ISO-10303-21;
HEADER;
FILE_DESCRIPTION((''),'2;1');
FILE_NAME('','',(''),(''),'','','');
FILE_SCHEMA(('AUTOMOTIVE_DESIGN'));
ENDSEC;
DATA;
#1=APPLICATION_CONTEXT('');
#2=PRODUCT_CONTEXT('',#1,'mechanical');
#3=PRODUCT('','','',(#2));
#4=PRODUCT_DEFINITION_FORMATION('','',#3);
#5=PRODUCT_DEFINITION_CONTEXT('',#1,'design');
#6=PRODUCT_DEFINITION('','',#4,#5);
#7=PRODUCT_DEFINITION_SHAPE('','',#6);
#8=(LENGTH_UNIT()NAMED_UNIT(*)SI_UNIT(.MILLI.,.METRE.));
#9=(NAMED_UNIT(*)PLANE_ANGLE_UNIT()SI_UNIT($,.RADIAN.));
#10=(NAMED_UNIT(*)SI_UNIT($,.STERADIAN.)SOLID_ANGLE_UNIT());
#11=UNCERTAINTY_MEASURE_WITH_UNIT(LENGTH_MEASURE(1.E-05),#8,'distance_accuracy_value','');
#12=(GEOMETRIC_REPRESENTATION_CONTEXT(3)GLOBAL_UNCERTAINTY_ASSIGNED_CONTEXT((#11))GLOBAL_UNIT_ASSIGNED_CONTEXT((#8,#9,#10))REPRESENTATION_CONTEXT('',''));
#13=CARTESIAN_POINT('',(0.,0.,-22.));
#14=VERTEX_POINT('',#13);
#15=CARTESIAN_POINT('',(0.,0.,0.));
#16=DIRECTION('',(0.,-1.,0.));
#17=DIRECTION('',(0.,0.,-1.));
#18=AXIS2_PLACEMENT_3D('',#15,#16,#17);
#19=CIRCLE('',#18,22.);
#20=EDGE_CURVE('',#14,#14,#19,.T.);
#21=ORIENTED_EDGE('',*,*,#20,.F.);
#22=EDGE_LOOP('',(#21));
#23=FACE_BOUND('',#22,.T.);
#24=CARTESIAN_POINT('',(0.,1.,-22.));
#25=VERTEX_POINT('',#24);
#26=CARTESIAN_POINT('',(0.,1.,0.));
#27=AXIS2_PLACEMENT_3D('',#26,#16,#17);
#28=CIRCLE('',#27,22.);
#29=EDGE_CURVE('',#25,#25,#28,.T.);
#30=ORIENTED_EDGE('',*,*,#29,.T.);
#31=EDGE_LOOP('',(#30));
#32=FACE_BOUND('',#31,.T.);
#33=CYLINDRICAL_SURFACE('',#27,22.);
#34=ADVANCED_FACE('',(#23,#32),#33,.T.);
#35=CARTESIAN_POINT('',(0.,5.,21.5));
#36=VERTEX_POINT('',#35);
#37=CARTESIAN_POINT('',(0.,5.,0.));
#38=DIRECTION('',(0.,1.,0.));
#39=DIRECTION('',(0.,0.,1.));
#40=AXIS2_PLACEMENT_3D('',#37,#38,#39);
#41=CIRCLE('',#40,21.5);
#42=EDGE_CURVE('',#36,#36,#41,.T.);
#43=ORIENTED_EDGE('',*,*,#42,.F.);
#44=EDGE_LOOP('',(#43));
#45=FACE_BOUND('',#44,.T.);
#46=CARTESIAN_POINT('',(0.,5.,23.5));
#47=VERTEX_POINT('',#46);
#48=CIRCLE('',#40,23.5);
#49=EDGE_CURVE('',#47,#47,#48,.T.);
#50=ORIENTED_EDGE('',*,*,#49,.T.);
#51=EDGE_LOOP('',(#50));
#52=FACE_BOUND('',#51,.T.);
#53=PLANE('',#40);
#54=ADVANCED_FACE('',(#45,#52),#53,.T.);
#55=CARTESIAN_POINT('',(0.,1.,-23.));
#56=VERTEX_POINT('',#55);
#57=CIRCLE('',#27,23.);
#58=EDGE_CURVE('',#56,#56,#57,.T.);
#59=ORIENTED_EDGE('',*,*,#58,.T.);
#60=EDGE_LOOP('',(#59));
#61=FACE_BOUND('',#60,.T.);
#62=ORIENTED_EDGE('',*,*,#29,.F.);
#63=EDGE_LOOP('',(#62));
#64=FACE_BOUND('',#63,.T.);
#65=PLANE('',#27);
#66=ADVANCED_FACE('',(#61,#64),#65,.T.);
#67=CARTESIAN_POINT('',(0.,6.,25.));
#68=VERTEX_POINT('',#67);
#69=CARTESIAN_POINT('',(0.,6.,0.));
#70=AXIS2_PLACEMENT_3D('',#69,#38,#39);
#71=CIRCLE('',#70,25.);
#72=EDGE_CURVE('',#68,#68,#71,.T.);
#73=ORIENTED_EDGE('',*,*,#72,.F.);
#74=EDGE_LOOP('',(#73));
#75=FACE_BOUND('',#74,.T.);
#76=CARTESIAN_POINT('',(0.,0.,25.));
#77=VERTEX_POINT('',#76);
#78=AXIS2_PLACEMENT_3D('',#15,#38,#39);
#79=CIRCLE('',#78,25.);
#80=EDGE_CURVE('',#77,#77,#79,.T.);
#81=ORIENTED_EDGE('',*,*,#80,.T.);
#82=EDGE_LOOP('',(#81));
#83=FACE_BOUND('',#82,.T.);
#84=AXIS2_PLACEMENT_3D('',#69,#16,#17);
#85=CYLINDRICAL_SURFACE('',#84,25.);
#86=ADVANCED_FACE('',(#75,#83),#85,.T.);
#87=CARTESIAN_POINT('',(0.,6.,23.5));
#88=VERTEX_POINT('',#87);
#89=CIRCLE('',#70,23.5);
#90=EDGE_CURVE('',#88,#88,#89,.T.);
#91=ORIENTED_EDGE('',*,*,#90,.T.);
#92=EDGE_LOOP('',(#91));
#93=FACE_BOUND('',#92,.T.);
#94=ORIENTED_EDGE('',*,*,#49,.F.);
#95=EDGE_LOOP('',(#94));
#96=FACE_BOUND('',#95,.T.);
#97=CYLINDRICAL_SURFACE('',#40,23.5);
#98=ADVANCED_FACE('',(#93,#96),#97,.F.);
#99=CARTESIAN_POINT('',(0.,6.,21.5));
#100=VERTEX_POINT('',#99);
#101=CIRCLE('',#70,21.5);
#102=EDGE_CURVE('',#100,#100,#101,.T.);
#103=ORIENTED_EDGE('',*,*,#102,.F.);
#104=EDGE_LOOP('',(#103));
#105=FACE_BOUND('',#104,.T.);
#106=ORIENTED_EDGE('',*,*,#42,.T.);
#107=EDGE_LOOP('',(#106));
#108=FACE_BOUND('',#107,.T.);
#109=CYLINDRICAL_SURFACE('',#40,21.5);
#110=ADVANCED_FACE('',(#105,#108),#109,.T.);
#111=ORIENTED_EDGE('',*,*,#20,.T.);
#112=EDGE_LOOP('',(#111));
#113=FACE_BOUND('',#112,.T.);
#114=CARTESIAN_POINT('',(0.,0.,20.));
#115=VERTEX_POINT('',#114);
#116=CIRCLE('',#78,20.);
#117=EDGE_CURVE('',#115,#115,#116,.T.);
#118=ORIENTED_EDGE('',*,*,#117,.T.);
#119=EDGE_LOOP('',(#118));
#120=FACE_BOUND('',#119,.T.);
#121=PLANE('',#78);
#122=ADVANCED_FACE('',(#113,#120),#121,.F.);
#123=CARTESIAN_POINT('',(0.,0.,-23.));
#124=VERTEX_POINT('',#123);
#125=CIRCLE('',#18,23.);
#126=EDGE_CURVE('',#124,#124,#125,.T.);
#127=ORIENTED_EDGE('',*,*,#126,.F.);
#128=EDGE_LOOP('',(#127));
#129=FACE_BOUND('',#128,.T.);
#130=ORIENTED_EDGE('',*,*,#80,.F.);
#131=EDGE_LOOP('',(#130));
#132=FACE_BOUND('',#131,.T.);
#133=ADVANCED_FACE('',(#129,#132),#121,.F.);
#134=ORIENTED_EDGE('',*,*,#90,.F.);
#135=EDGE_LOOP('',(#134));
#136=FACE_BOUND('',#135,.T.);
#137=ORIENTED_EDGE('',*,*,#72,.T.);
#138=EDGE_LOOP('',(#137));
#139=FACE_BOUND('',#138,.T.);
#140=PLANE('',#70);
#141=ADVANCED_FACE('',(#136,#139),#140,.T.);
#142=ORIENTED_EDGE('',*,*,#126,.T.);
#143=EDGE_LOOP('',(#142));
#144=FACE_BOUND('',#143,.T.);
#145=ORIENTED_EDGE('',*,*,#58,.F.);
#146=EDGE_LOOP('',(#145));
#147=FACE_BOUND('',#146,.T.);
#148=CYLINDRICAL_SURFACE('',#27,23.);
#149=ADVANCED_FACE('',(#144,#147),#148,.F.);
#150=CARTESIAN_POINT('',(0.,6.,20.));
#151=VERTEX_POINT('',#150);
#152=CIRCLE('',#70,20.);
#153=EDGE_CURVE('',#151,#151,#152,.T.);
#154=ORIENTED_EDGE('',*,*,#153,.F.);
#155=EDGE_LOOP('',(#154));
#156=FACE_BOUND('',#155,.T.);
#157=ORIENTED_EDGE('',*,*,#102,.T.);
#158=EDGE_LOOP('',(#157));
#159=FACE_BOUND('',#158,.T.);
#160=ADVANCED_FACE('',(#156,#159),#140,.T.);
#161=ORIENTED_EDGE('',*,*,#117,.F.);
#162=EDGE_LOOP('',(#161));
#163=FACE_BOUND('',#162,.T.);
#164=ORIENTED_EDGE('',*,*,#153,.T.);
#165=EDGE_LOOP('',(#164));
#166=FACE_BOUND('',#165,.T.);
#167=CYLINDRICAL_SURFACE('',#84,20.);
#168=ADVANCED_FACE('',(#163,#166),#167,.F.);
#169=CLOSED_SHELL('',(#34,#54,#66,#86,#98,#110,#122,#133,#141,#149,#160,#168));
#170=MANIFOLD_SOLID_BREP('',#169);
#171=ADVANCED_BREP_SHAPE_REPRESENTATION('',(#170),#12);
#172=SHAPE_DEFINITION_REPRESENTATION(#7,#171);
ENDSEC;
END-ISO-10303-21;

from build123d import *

# Parameters (mm, degrees)
SKETCH1_R           = 25
SKETCH1_R_2         = 20
BOSS_EXTRUDE1_DEPTH = 6
SKETCH2_R           = 23.5
SKETCH2_R_2         = 21.5
CUT_EXTRUDE1_DEPTH  = 1
SKETCH3_R           = 23
SKETCH3_R_2         = 22
CUT_EXTRUDE2_DEPTH  = 1


with BuildPart() as part:
    # Sketch1 → Boss-Extrude1 (new body)
    with BuildSketch(Plane(origin=(0, 0, 0), x_dir=(1, 0, 0), z_dir=(0, 1, 0))):
        Circle(SKETCH1_R)
        Circle(SKETCH1_R_2, mode=Mode.SUBTRACT)
    extrude(amount=BOSS_EXTRUDE1_DEPTH)

    # Sketch2 → Cut-Extrude1 (cut)
    with BuildSketch(Plane(origin=(0, 6, 0), x_dir=(1, 0, 0), z_dir=(0, 1, 0))):
        Circle(SKETCH2_R)
        Circle(SKETCH2_R_2, mode=Mode.SUBTRACT)
    extrude(amount=-CUT_EXTRUDE1_DEPTH, mode=Mode.SUBTRACT)

    # Sketch3 → Cut-Extrude2 (cut)
    with BuildSketch(Plane.XZ):
        Circle(SKETCH3_R)
        Circle(SKETCH3_R_2, mode=Mode.SUBTRACT)
    extrude(amount=-CUT_EXTRUDE2_DEPTH, mode=Mode.SUBTRACT)


solid = part.part
